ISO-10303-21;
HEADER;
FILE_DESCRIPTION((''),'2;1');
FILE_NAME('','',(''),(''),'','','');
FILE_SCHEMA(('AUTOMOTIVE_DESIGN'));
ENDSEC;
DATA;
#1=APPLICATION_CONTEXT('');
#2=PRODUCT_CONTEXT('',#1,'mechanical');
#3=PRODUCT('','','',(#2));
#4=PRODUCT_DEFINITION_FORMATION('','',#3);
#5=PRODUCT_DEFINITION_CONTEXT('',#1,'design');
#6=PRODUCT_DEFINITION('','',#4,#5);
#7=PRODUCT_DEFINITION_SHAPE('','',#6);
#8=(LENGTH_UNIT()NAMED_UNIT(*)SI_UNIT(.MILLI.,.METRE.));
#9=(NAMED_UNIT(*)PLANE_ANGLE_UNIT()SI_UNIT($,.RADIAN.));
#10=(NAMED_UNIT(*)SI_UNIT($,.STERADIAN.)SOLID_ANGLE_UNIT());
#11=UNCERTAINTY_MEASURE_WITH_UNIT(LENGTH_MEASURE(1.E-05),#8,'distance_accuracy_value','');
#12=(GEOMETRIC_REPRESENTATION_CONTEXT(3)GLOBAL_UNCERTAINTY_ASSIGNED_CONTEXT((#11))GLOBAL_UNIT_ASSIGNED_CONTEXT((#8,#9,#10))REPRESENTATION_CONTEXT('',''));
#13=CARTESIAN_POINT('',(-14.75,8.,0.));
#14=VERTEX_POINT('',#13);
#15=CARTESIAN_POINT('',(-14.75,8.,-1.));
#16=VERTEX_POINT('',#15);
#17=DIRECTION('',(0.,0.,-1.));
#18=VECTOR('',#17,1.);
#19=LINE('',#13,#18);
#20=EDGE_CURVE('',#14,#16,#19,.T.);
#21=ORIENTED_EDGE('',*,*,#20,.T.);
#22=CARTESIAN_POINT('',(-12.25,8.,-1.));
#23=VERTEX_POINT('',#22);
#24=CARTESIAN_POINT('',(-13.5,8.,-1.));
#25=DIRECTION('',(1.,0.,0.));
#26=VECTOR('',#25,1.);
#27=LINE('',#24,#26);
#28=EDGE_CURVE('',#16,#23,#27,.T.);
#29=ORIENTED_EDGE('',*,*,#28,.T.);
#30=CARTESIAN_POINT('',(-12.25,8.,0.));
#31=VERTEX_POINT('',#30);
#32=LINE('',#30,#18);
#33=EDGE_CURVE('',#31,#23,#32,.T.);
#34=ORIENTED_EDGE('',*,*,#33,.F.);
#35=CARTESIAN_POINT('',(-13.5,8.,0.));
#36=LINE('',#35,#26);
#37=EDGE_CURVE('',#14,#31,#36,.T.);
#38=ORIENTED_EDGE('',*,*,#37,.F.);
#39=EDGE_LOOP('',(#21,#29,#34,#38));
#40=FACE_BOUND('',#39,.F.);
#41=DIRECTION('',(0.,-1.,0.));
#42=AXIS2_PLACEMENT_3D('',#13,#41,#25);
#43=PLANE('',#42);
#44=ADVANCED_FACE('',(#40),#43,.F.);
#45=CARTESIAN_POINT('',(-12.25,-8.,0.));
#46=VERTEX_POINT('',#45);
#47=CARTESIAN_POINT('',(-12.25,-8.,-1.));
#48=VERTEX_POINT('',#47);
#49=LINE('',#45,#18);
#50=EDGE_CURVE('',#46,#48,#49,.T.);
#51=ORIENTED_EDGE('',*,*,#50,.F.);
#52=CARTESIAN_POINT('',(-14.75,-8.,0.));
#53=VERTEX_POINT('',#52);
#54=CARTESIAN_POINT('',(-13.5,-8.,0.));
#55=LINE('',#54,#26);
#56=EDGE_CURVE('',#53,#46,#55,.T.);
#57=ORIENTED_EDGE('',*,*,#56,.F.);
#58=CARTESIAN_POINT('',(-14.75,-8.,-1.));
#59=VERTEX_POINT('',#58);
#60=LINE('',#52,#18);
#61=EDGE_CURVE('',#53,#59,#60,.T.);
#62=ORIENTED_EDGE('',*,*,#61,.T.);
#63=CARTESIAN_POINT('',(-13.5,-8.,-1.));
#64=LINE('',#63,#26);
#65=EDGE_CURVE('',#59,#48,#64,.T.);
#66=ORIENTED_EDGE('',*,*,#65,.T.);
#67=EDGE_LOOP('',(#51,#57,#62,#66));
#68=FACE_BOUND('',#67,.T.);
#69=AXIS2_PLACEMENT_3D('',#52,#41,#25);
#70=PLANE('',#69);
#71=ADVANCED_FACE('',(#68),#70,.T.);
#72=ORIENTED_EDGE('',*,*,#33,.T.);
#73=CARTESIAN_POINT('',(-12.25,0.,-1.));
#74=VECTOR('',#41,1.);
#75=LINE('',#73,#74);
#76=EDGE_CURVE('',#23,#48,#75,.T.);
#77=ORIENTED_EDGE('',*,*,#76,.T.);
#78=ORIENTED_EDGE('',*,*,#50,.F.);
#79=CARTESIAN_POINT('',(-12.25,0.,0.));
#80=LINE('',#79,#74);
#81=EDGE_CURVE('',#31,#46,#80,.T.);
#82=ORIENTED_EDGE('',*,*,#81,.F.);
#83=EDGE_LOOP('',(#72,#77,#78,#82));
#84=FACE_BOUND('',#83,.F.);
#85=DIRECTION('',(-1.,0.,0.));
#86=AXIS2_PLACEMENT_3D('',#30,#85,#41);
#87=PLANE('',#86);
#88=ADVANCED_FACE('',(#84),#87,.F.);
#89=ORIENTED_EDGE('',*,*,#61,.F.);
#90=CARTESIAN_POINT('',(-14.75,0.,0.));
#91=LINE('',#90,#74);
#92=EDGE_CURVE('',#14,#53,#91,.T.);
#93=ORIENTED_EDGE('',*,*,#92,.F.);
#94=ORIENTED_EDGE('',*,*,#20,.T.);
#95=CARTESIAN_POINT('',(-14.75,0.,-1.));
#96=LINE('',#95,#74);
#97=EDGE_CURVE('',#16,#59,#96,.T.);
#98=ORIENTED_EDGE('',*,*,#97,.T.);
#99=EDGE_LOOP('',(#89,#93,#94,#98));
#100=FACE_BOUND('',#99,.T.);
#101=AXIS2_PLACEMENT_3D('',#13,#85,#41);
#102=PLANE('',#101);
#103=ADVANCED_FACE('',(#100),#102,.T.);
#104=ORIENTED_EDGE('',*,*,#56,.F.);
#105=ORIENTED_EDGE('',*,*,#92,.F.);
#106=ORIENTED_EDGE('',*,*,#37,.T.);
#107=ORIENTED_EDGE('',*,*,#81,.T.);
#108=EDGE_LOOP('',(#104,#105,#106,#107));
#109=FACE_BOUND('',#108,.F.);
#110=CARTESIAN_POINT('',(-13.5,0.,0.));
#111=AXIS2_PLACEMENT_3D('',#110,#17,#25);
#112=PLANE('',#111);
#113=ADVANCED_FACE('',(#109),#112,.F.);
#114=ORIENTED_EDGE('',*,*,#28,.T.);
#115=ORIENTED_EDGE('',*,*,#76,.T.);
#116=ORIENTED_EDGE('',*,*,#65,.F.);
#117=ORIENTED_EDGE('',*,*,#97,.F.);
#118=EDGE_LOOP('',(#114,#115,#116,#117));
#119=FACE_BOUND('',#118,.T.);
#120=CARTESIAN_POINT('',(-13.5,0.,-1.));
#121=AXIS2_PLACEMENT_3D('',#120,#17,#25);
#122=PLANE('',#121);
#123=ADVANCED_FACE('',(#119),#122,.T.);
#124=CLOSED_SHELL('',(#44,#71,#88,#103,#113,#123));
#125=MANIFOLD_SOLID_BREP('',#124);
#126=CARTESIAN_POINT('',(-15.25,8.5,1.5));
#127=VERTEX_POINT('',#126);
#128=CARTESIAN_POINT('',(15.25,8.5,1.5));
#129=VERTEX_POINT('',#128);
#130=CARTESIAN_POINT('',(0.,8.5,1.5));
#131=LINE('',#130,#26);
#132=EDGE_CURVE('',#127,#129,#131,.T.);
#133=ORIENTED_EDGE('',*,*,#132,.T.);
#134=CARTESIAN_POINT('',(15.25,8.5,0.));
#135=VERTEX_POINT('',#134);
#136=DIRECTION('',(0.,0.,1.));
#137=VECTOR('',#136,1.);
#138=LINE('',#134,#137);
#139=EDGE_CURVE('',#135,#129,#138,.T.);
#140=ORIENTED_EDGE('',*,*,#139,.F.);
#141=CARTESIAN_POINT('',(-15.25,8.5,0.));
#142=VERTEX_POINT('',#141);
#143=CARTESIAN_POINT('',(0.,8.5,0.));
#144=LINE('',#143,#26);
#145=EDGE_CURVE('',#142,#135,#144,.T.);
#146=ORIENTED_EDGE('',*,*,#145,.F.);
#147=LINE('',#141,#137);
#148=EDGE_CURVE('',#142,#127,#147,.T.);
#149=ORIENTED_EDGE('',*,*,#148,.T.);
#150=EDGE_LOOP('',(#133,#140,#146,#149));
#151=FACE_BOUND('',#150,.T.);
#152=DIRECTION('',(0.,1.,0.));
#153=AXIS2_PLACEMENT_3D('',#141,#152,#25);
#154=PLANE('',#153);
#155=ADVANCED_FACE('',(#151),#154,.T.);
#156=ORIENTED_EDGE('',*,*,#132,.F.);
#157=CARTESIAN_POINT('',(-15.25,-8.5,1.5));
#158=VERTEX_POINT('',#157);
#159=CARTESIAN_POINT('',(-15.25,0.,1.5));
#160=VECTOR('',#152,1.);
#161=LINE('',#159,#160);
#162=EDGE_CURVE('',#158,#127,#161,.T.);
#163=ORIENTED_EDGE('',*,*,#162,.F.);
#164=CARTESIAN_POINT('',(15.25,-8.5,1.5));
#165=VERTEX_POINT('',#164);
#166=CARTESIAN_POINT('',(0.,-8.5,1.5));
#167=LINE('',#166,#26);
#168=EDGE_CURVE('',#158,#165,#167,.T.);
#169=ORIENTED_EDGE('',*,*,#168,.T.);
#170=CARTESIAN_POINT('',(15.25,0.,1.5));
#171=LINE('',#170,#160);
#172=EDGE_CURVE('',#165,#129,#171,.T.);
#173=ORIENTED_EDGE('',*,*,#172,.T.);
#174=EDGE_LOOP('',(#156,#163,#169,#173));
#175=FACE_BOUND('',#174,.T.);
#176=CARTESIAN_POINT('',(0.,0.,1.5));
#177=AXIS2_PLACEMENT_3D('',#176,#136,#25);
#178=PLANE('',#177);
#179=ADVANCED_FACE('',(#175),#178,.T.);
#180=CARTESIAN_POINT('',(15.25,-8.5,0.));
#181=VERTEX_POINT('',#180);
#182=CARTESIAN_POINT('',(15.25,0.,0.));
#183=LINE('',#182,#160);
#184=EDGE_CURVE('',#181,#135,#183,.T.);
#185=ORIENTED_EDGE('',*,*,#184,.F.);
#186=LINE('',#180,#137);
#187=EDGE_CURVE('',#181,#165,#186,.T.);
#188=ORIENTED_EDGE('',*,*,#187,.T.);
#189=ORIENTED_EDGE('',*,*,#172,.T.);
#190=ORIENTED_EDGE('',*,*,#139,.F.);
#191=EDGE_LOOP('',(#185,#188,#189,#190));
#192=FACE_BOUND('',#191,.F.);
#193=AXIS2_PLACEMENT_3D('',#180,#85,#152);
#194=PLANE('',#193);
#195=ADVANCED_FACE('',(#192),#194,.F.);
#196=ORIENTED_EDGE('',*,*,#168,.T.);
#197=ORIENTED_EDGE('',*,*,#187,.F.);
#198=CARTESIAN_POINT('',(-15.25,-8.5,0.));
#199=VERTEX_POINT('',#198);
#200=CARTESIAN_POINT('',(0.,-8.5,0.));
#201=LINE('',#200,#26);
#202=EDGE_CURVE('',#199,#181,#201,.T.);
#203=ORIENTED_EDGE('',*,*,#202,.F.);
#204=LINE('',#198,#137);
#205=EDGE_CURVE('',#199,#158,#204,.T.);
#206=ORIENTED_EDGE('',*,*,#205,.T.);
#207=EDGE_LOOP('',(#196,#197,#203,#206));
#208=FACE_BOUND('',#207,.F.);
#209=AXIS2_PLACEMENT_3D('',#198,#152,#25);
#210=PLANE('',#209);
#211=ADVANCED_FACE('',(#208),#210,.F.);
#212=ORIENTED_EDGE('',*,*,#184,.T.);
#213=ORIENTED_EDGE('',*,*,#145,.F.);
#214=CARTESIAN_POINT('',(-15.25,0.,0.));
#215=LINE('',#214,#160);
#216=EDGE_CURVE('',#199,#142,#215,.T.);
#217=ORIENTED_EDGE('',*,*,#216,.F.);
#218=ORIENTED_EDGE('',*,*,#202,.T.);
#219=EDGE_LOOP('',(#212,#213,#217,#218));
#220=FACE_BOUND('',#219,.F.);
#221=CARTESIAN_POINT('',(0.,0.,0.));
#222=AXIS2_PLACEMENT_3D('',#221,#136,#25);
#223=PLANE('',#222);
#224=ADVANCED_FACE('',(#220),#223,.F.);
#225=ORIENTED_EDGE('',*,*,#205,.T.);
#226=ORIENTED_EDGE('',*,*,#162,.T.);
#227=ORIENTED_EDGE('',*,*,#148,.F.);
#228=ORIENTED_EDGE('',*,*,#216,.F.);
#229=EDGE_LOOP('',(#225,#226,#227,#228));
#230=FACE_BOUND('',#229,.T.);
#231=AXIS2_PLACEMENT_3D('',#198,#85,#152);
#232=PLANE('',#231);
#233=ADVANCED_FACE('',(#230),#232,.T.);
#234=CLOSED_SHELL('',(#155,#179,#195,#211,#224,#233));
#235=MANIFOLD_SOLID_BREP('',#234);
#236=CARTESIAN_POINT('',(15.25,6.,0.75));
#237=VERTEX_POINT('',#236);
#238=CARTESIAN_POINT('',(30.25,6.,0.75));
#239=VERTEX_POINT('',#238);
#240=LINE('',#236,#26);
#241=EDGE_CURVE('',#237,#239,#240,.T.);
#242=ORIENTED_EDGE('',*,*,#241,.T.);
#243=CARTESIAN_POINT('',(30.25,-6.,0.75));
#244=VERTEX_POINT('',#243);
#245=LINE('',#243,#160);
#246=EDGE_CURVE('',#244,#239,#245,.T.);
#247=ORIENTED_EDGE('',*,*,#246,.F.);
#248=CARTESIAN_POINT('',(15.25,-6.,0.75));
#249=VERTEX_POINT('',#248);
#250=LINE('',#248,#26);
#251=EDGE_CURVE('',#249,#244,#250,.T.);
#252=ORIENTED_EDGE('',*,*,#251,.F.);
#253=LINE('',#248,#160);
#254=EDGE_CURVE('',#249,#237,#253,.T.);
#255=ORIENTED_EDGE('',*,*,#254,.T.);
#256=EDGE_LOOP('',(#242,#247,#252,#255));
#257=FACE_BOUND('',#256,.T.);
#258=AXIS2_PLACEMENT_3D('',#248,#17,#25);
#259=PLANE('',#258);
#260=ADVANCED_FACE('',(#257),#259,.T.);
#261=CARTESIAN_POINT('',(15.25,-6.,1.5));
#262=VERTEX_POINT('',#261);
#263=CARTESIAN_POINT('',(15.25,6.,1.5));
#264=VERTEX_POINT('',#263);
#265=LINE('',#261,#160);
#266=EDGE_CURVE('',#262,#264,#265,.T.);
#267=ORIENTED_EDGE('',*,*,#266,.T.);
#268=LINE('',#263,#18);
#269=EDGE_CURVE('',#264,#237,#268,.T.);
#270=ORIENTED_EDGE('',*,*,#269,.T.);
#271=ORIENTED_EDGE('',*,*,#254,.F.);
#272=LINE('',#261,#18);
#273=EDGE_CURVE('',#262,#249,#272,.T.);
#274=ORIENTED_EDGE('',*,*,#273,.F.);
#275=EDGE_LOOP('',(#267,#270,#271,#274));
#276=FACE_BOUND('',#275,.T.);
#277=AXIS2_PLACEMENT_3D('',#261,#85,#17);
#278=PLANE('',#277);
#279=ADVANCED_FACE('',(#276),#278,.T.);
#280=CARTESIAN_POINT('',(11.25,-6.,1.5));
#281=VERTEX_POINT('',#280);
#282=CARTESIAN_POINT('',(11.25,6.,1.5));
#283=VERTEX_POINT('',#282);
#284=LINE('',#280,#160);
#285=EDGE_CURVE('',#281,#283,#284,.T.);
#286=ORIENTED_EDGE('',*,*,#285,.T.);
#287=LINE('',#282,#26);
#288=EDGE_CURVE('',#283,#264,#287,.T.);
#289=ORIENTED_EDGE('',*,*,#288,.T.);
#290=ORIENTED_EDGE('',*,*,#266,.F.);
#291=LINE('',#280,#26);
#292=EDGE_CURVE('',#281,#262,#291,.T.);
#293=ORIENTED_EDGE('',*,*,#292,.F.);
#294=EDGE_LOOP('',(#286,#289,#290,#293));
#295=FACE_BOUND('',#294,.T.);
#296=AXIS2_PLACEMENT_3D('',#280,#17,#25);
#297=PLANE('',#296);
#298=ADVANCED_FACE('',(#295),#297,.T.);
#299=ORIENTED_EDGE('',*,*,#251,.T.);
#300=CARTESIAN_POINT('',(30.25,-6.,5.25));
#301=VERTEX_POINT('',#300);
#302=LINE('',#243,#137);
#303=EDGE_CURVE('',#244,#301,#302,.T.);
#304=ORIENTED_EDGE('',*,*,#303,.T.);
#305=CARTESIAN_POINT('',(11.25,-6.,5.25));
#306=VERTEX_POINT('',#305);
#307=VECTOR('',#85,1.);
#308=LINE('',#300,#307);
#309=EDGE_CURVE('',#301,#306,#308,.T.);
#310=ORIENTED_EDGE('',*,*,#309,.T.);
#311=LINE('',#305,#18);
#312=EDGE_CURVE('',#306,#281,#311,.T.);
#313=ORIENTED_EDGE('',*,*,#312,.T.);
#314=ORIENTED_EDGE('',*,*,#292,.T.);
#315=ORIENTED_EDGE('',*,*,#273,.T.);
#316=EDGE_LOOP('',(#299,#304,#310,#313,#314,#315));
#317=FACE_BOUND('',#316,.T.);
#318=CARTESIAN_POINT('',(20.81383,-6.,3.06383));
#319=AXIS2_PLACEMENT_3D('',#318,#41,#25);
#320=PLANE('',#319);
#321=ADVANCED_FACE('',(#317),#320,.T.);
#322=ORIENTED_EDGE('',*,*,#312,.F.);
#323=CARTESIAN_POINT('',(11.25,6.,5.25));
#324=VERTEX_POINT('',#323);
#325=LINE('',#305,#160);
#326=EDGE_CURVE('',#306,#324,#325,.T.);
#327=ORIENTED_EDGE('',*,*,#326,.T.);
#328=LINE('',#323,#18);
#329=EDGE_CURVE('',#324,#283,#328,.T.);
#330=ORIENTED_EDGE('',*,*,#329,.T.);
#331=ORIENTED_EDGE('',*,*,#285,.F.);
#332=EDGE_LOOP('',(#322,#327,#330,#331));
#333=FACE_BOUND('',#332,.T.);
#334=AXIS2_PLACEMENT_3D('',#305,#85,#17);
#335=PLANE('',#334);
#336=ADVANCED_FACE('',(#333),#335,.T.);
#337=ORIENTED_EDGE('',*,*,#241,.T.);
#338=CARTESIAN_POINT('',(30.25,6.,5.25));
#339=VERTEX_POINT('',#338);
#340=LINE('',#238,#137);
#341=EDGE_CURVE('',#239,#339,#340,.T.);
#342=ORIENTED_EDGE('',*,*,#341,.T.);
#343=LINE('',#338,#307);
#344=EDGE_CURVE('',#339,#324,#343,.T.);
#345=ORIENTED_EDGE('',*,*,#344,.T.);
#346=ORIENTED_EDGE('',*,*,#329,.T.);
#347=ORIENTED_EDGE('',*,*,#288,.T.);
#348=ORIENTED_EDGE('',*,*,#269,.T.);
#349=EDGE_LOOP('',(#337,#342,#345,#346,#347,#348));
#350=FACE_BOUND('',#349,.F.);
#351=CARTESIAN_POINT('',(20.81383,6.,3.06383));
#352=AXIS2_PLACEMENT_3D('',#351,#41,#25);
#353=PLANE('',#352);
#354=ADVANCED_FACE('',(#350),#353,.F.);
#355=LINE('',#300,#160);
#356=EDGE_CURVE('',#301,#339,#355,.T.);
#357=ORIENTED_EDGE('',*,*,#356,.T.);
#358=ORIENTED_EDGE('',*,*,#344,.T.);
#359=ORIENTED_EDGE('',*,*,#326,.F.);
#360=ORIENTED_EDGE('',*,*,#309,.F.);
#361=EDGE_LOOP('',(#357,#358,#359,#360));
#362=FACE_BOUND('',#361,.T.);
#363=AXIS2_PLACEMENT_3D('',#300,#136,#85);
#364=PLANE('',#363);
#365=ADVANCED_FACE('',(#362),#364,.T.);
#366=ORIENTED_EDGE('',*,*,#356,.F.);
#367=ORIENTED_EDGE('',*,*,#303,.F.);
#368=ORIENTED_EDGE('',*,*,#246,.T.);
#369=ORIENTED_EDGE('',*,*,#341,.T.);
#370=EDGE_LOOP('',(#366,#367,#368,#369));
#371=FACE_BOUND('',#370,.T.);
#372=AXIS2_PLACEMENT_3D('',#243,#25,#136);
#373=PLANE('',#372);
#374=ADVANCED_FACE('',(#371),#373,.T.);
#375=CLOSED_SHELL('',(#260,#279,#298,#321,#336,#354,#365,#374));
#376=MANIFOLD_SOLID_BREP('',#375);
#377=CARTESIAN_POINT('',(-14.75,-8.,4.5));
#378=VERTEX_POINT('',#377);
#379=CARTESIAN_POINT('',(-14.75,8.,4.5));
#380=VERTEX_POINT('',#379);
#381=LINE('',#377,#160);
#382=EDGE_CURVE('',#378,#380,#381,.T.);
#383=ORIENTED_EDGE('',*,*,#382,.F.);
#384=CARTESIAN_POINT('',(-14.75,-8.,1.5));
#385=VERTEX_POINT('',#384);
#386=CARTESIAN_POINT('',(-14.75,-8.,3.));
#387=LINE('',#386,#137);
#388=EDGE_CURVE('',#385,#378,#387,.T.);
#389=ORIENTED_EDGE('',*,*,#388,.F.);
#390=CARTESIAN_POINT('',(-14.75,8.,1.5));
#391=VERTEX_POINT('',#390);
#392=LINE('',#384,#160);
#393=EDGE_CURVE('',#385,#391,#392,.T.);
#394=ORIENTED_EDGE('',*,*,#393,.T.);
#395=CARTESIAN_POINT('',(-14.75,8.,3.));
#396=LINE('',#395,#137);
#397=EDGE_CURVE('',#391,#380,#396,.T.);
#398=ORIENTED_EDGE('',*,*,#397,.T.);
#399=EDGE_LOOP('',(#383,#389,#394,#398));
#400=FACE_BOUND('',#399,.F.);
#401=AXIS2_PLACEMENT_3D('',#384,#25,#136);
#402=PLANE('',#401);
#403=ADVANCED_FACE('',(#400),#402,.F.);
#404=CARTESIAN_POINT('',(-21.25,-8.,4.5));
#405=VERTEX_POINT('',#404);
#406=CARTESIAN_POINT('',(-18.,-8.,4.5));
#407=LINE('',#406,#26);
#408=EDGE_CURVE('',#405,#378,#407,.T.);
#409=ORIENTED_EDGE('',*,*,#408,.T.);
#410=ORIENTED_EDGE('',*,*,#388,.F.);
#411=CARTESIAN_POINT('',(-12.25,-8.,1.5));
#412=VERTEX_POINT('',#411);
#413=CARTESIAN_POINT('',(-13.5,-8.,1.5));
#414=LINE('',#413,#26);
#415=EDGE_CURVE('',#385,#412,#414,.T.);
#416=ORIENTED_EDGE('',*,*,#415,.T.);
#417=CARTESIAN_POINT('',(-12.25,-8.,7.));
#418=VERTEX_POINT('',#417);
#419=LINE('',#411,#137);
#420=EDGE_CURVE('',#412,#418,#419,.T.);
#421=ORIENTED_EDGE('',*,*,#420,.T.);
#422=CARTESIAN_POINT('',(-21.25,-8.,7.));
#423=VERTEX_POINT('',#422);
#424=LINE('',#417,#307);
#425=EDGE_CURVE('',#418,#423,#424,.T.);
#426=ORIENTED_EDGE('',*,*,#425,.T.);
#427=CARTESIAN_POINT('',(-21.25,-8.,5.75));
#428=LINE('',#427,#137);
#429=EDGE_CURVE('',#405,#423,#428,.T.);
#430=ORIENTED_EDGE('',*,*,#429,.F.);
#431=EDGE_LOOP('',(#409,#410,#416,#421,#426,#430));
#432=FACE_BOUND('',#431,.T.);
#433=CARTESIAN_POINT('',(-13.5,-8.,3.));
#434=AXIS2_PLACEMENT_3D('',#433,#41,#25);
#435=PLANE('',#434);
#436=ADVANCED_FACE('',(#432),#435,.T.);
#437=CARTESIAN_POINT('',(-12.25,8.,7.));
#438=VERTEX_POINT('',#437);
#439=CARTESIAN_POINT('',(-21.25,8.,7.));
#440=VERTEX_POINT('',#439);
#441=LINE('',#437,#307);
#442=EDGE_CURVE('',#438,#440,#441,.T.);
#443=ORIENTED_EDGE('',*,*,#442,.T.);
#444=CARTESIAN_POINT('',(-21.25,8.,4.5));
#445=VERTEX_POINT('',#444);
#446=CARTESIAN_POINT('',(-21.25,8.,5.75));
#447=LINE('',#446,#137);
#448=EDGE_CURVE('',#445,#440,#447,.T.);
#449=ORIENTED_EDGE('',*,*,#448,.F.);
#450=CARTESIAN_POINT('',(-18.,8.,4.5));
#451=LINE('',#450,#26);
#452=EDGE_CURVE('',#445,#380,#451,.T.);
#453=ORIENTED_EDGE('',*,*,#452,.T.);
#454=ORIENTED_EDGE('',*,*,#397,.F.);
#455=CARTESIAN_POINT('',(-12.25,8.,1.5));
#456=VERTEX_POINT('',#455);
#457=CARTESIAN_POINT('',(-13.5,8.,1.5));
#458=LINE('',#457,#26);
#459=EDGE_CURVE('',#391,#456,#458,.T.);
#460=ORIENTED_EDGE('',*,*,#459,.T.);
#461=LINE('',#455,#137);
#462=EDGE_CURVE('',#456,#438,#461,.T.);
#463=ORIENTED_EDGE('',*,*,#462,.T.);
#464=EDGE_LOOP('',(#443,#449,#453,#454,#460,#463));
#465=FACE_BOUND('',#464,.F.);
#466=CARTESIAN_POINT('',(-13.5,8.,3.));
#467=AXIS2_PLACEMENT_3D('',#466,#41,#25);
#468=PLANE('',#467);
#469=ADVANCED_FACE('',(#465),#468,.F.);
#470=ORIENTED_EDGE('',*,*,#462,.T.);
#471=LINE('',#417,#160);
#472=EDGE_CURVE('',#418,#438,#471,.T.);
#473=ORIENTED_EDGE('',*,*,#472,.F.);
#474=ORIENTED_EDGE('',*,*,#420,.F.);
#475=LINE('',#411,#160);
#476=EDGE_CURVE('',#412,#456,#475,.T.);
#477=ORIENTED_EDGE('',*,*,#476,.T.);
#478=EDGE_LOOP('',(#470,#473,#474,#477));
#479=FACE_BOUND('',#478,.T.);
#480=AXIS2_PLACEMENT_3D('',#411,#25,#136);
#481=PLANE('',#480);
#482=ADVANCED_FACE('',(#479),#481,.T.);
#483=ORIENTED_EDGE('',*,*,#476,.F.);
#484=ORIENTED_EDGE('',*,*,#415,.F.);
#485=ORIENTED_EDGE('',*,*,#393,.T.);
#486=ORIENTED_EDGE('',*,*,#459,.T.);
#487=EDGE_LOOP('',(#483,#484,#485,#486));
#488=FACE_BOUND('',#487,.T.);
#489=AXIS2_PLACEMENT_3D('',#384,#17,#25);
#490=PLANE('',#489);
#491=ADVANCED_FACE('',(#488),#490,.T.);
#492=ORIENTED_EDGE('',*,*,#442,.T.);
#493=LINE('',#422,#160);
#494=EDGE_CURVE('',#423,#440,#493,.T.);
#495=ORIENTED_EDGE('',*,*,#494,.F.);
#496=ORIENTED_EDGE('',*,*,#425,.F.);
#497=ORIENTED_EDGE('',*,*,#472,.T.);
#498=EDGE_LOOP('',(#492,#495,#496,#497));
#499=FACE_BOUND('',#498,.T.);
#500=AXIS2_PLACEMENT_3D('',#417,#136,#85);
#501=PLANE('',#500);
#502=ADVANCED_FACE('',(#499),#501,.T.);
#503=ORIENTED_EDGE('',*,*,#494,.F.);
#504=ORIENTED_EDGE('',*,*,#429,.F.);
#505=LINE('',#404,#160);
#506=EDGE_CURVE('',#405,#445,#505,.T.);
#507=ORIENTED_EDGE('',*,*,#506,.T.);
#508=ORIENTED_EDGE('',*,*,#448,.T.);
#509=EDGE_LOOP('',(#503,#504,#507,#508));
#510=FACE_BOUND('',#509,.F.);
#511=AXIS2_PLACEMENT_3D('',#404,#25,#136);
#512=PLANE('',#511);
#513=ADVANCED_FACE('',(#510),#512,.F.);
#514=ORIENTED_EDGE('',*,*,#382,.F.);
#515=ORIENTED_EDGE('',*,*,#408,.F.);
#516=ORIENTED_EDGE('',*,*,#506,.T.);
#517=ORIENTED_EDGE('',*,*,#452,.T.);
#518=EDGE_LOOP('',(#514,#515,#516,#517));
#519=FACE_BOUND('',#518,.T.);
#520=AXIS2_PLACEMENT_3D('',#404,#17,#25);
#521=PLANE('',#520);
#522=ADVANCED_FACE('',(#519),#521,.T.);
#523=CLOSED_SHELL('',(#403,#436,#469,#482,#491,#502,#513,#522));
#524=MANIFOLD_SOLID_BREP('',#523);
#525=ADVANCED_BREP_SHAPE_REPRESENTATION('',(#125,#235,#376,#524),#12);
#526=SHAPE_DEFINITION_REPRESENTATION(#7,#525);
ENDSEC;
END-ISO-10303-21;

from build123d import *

# Parameters (mm, degrees)
F0_W     = 30.5
F0_H     = 17
F1_DEPTH = 1.5
F4_DEPTH = 12
F6_W     = 2.5
F6_H     = 3
F6_W_2   = 6.5
F6_H_2   = 2.5
F7_DEPTH = 16
F8_W     = 2.5
F8_H     = 16
F9_DEPTH = 1


with BuildPart() as f1:
    # F0 (on Top) → F1 (new body)
    with BuildSketch(Plane.XY):
        Rectangle(F0_W, F0_H)
    extrude(amount=F1_DEPTH)


with BuildPart() as f4:
    # F3 (on offset) → F4 (new body)
    with BuildSketch(Plane.XZ.offset(6)):
        Polygon((11.25, 1.5), (15.25, 1.5), (15.25, 0.75), (30.25, 0.75), (30.25, 5.25), (11.25, 5.25), align=None)
    extrude(amount=-F4_DEPTH)


with BuildPart() as f7:
    # F6 (on offset) → F7 (new body)
    with BuildSketch(Plane.XZ.offset(8)):
        with Locations((-13.5, 3)):
            Rectangle(F6_W, F6_H)
        with Locations((-18, 5.75)):
            Rectangle(F6_W_2, F6_H_2)
        with Locations((-13.5, 5.75)):
            Rectangle(F6_W, F6_H_2)
    extrude(amount=-F7_DEPTH)


with BuildPart() as f9:
    # F8 (on face) → F9 (new body)
    with BuildSketch(Plane(origin=(0, 0, 0), x_dir=(1, 0, 0), z_dir=(0, 0, -1))):
        with Locations((-13.5, 0)):
            Rectangle(F8_W, F8_H)
    extrude(amount=F9_DEPTH)


solid = Compound([f1.part, f4.part, f7.part, f9.part])
